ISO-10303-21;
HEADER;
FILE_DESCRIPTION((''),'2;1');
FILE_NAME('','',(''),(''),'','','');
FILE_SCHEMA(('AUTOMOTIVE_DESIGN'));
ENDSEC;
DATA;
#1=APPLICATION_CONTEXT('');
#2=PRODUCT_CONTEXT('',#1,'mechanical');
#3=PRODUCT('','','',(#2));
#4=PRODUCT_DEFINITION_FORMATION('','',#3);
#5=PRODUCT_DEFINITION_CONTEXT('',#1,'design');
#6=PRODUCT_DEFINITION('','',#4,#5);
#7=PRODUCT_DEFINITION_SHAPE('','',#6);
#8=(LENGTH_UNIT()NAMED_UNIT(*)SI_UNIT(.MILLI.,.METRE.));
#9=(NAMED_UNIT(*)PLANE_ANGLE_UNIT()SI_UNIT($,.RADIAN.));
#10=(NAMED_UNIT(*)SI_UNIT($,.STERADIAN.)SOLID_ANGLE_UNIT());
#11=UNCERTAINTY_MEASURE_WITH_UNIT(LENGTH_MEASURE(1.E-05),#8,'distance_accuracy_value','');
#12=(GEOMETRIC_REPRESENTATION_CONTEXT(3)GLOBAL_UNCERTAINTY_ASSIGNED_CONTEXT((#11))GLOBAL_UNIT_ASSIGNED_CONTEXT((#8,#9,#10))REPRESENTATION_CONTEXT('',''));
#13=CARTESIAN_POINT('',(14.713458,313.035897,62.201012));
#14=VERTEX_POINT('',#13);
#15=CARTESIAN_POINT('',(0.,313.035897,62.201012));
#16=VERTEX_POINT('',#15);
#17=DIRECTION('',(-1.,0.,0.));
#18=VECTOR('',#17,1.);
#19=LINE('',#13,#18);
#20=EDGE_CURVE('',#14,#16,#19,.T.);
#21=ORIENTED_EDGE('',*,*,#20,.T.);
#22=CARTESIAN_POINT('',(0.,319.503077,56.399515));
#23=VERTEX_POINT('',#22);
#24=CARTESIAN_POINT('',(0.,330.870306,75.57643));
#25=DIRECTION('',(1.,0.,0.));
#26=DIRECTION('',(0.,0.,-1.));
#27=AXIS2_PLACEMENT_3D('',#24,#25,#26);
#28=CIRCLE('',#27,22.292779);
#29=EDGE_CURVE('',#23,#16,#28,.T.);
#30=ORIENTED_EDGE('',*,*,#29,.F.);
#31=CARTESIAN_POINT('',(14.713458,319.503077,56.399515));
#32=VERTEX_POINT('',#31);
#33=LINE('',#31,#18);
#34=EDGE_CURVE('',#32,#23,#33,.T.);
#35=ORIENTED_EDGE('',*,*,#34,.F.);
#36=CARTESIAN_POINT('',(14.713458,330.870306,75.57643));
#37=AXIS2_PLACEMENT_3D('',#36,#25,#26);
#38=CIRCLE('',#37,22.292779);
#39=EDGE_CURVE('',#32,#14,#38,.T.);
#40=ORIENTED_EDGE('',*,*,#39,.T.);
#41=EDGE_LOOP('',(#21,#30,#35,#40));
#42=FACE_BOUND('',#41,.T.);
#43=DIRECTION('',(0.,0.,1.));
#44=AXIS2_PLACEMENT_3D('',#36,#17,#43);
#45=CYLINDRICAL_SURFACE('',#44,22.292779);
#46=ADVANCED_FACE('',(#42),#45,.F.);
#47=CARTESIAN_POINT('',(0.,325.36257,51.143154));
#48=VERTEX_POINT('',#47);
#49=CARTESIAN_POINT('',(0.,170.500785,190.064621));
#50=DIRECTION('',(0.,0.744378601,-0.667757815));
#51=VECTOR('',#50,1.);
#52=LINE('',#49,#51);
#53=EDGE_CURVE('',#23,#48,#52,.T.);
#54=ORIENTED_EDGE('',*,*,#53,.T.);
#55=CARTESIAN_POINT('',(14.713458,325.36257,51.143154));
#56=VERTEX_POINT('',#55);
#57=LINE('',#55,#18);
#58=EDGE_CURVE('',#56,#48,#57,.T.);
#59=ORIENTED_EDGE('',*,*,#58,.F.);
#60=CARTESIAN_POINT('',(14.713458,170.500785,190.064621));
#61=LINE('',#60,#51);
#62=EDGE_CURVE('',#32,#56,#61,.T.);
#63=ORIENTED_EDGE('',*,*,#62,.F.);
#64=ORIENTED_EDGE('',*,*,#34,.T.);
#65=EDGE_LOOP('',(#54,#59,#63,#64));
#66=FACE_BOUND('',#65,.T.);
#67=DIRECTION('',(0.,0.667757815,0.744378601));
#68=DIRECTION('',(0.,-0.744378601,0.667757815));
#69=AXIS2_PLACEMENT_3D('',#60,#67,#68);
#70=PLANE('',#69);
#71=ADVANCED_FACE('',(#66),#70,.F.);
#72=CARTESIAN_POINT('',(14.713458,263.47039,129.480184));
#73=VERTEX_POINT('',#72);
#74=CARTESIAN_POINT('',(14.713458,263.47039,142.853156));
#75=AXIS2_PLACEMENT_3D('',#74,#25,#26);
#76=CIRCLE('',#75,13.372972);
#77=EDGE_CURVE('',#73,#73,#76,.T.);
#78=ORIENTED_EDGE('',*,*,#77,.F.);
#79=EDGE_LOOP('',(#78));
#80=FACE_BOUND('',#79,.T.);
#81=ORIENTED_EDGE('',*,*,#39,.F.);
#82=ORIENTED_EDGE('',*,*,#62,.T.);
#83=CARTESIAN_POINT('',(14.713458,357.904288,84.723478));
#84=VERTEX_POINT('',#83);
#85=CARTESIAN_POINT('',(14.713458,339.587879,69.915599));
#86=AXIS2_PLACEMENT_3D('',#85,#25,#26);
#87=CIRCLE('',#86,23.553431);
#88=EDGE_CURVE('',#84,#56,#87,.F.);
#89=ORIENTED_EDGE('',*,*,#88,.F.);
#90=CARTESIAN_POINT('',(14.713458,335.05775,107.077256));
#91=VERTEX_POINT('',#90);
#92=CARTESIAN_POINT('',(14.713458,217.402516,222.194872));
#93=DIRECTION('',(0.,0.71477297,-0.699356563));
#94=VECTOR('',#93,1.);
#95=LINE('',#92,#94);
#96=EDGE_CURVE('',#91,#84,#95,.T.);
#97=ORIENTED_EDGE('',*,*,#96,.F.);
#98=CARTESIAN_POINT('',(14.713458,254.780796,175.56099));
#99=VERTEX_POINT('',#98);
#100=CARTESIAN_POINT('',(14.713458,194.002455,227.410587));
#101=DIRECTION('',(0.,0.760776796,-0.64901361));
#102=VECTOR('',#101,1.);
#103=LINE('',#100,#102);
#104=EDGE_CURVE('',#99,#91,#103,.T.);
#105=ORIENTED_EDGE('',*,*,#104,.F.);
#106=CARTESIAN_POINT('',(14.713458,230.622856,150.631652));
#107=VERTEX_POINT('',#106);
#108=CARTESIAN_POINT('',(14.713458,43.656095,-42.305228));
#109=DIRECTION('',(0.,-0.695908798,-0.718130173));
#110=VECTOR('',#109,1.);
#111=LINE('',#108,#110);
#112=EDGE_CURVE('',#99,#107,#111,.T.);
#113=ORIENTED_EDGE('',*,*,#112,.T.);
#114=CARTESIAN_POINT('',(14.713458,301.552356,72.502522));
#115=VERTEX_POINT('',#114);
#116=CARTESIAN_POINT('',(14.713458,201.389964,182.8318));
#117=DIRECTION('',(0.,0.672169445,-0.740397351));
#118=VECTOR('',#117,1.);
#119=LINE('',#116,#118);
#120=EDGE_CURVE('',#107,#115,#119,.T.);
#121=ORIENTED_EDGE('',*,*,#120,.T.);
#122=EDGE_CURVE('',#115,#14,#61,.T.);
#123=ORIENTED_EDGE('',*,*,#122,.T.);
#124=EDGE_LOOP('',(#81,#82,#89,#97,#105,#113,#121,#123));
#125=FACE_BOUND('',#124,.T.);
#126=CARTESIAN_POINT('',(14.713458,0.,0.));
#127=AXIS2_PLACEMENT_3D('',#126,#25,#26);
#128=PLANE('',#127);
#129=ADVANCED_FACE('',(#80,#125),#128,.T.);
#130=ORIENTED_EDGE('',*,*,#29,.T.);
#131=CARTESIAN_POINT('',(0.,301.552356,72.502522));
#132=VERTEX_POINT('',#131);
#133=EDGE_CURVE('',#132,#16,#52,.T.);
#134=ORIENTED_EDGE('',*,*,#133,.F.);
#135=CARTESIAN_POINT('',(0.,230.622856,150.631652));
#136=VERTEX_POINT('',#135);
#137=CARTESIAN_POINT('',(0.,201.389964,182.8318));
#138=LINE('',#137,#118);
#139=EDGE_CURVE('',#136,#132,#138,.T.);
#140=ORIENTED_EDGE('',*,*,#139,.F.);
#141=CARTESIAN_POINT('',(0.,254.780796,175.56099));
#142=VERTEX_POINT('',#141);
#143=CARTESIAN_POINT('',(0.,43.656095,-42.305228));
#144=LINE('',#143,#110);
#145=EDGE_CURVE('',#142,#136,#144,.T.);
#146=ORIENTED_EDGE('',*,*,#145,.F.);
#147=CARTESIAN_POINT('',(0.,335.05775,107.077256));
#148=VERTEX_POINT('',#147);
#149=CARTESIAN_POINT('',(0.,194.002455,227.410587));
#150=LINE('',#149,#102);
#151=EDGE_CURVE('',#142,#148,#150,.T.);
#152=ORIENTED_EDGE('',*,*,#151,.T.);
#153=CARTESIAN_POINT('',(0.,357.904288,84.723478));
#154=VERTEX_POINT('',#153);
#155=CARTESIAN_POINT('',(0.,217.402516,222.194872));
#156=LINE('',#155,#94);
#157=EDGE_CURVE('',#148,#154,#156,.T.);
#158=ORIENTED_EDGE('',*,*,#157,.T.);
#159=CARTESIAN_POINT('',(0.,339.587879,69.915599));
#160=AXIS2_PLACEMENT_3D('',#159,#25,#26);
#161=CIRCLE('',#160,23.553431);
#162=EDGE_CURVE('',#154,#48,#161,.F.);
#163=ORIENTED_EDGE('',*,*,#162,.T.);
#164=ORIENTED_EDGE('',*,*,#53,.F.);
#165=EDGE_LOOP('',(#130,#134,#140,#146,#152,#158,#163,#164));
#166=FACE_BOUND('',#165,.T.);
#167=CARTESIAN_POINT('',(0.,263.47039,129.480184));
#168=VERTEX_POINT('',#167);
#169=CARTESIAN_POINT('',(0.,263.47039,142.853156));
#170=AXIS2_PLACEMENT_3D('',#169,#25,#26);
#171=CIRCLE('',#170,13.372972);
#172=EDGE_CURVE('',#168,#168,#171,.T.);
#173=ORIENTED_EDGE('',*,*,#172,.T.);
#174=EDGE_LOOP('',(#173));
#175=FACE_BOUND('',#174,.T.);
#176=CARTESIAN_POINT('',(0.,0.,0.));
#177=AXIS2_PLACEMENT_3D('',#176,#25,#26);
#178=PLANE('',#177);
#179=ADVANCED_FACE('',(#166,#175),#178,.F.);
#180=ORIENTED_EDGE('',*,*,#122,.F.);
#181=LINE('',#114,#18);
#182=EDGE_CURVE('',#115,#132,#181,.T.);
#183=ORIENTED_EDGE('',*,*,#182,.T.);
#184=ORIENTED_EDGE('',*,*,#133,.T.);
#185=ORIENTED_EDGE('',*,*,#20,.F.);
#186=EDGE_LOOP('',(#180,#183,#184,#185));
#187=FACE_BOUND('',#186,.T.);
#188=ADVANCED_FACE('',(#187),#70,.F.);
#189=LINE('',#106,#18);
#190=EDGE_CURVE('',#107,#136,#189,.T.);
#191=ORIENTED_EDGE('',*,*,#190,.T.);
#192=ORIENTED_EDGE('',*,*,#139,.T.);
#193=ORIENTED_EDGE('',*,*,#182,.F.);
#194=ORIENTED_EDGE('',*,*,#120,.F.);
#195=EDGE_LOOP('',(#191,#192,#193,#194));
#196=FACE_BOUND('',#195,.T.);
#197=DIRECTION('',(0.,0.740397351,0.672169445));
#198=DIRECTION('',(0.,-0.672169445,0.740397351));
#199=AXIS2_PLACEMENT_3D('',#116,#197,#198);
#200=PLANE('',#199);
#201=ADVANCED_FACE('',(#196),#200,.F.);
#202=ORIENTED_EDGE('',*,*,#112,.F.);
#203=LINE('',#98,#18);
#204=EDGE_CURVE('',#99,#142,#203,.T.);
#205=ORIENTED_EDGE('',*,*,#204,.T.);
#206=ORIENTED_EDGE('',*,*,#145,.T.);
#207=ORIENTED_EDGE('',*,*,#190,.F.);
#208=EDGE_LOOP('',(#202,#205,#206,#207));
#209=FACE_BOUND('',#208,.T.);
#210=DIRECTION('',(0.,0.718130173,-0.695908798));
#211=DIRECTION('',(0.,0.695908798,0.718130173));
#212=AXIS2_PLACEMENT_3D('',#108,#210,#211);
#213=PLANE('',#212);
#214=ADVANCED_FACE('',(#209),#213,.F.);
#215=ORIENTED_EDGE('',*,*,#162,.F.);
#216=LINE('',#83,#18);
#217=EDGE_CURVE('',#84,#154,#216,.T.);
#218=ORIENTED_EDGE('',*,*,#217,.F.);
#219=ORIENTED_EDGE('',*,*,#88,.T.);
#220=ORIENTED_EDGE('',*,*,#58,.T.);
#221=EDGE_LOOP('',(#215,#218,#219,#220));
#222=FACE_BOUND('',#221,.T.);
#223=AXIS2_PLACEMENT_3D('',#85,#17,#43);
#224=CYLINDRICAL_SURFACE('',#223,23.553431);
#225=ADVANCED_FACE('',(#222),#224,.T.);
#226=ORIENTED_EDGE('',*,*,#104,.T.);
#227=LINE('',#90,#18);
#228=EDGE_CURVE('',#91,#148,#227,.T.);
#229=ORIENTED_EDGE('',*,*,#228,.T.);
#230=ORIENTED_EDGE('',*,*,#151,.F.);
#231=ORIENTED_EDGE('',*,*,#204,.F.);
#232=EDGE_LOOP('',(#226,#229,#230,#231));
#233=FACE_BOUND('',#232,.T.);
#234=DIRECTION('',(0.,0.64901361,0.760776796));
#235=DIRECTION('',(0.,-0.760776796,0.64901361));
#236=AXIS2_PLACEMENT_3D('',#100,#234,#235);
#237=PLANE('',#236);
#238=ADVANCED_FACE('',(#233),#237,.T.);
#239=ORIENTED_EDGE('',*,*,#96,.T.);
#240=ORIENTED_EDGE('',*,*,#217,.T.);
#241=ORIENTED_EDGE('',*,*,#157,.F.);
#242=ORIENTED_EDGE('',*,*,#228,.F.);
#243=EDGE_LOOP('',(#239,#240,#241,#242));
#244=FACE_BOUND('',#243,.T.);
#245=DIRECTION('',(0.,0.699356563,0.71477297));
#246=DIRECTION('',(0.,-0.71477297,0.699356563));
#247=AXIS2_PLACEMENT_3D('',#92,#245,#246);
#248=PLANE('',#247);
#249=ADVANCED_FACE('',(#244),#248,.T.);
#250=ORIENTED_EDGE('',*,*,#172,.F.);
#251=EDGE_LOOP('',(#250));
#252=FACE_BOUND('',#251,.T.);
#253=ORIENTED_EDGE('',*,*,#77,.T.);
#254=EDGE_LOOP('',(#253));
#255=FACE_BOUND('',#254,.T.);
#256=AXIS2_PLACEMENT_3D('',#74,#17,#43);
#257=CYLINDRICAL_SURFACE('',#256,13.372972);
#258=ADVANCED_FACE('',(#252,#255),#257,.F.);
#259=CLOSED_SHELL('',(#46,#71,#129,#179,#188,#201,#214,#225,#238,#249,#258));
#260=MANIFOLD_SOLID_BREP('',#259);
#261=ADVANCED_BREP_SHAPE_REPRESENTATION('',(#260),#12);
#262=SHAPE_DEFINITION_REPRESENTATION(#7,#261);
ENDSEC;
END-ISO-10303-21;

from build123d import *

# Parameters (mm, degrees)
SKETCH1_R           = 13.372971861
BOSS_EXTRUDE1_DEPTH = 14.713458


with BuildPart() as part:
    # Sketch1 → Boss-Extrude1 (new body)
    with BuildSketch(Plane(origin=(0, 0, 0), x_dir=(0, 0, -1), z_dir=(1, 0, 0))):
        with BuildLine():
            Line((-107.077256, 335.05775), (-175.56099, 254.780796))
            Line((-175.56099, 254.780796), (-150.631652, 230.622856))
            Line((-150.631652, 230.622856), (-72.502522, 301.552356))
            Line((-72.502522, 301.552356), (-62.201011559, 313.03589653))
            ThreePointArc((-62.201011559, 313.03589653), (-95.515627855, 340.840078742), (-53.283651357, 330.870306))
            ThreePointArc((-53.283651357, 330.870306), (-54.076724145, 324.9770363), (-56.399514867, 319.50307654))
            Line((-56.399514867, 319.50307654), (-51.143154, 325.36257))
            ThreePointArc((-51.143154, 325.36257), (-53.524433804, 356.502187085), (-84.723478, 357.904288))
            Line((-84.723478, 357.904288), (-107.077256, 335.05775))
        make_face()
        with Locations((-142.853156, 263.47039)):
            Circle(SKETCH1_R, mode=Mode.SUBTRACT)
    extrude(amount=BOSS_EXTRUDE1_DEPTH)


solid = part.part
